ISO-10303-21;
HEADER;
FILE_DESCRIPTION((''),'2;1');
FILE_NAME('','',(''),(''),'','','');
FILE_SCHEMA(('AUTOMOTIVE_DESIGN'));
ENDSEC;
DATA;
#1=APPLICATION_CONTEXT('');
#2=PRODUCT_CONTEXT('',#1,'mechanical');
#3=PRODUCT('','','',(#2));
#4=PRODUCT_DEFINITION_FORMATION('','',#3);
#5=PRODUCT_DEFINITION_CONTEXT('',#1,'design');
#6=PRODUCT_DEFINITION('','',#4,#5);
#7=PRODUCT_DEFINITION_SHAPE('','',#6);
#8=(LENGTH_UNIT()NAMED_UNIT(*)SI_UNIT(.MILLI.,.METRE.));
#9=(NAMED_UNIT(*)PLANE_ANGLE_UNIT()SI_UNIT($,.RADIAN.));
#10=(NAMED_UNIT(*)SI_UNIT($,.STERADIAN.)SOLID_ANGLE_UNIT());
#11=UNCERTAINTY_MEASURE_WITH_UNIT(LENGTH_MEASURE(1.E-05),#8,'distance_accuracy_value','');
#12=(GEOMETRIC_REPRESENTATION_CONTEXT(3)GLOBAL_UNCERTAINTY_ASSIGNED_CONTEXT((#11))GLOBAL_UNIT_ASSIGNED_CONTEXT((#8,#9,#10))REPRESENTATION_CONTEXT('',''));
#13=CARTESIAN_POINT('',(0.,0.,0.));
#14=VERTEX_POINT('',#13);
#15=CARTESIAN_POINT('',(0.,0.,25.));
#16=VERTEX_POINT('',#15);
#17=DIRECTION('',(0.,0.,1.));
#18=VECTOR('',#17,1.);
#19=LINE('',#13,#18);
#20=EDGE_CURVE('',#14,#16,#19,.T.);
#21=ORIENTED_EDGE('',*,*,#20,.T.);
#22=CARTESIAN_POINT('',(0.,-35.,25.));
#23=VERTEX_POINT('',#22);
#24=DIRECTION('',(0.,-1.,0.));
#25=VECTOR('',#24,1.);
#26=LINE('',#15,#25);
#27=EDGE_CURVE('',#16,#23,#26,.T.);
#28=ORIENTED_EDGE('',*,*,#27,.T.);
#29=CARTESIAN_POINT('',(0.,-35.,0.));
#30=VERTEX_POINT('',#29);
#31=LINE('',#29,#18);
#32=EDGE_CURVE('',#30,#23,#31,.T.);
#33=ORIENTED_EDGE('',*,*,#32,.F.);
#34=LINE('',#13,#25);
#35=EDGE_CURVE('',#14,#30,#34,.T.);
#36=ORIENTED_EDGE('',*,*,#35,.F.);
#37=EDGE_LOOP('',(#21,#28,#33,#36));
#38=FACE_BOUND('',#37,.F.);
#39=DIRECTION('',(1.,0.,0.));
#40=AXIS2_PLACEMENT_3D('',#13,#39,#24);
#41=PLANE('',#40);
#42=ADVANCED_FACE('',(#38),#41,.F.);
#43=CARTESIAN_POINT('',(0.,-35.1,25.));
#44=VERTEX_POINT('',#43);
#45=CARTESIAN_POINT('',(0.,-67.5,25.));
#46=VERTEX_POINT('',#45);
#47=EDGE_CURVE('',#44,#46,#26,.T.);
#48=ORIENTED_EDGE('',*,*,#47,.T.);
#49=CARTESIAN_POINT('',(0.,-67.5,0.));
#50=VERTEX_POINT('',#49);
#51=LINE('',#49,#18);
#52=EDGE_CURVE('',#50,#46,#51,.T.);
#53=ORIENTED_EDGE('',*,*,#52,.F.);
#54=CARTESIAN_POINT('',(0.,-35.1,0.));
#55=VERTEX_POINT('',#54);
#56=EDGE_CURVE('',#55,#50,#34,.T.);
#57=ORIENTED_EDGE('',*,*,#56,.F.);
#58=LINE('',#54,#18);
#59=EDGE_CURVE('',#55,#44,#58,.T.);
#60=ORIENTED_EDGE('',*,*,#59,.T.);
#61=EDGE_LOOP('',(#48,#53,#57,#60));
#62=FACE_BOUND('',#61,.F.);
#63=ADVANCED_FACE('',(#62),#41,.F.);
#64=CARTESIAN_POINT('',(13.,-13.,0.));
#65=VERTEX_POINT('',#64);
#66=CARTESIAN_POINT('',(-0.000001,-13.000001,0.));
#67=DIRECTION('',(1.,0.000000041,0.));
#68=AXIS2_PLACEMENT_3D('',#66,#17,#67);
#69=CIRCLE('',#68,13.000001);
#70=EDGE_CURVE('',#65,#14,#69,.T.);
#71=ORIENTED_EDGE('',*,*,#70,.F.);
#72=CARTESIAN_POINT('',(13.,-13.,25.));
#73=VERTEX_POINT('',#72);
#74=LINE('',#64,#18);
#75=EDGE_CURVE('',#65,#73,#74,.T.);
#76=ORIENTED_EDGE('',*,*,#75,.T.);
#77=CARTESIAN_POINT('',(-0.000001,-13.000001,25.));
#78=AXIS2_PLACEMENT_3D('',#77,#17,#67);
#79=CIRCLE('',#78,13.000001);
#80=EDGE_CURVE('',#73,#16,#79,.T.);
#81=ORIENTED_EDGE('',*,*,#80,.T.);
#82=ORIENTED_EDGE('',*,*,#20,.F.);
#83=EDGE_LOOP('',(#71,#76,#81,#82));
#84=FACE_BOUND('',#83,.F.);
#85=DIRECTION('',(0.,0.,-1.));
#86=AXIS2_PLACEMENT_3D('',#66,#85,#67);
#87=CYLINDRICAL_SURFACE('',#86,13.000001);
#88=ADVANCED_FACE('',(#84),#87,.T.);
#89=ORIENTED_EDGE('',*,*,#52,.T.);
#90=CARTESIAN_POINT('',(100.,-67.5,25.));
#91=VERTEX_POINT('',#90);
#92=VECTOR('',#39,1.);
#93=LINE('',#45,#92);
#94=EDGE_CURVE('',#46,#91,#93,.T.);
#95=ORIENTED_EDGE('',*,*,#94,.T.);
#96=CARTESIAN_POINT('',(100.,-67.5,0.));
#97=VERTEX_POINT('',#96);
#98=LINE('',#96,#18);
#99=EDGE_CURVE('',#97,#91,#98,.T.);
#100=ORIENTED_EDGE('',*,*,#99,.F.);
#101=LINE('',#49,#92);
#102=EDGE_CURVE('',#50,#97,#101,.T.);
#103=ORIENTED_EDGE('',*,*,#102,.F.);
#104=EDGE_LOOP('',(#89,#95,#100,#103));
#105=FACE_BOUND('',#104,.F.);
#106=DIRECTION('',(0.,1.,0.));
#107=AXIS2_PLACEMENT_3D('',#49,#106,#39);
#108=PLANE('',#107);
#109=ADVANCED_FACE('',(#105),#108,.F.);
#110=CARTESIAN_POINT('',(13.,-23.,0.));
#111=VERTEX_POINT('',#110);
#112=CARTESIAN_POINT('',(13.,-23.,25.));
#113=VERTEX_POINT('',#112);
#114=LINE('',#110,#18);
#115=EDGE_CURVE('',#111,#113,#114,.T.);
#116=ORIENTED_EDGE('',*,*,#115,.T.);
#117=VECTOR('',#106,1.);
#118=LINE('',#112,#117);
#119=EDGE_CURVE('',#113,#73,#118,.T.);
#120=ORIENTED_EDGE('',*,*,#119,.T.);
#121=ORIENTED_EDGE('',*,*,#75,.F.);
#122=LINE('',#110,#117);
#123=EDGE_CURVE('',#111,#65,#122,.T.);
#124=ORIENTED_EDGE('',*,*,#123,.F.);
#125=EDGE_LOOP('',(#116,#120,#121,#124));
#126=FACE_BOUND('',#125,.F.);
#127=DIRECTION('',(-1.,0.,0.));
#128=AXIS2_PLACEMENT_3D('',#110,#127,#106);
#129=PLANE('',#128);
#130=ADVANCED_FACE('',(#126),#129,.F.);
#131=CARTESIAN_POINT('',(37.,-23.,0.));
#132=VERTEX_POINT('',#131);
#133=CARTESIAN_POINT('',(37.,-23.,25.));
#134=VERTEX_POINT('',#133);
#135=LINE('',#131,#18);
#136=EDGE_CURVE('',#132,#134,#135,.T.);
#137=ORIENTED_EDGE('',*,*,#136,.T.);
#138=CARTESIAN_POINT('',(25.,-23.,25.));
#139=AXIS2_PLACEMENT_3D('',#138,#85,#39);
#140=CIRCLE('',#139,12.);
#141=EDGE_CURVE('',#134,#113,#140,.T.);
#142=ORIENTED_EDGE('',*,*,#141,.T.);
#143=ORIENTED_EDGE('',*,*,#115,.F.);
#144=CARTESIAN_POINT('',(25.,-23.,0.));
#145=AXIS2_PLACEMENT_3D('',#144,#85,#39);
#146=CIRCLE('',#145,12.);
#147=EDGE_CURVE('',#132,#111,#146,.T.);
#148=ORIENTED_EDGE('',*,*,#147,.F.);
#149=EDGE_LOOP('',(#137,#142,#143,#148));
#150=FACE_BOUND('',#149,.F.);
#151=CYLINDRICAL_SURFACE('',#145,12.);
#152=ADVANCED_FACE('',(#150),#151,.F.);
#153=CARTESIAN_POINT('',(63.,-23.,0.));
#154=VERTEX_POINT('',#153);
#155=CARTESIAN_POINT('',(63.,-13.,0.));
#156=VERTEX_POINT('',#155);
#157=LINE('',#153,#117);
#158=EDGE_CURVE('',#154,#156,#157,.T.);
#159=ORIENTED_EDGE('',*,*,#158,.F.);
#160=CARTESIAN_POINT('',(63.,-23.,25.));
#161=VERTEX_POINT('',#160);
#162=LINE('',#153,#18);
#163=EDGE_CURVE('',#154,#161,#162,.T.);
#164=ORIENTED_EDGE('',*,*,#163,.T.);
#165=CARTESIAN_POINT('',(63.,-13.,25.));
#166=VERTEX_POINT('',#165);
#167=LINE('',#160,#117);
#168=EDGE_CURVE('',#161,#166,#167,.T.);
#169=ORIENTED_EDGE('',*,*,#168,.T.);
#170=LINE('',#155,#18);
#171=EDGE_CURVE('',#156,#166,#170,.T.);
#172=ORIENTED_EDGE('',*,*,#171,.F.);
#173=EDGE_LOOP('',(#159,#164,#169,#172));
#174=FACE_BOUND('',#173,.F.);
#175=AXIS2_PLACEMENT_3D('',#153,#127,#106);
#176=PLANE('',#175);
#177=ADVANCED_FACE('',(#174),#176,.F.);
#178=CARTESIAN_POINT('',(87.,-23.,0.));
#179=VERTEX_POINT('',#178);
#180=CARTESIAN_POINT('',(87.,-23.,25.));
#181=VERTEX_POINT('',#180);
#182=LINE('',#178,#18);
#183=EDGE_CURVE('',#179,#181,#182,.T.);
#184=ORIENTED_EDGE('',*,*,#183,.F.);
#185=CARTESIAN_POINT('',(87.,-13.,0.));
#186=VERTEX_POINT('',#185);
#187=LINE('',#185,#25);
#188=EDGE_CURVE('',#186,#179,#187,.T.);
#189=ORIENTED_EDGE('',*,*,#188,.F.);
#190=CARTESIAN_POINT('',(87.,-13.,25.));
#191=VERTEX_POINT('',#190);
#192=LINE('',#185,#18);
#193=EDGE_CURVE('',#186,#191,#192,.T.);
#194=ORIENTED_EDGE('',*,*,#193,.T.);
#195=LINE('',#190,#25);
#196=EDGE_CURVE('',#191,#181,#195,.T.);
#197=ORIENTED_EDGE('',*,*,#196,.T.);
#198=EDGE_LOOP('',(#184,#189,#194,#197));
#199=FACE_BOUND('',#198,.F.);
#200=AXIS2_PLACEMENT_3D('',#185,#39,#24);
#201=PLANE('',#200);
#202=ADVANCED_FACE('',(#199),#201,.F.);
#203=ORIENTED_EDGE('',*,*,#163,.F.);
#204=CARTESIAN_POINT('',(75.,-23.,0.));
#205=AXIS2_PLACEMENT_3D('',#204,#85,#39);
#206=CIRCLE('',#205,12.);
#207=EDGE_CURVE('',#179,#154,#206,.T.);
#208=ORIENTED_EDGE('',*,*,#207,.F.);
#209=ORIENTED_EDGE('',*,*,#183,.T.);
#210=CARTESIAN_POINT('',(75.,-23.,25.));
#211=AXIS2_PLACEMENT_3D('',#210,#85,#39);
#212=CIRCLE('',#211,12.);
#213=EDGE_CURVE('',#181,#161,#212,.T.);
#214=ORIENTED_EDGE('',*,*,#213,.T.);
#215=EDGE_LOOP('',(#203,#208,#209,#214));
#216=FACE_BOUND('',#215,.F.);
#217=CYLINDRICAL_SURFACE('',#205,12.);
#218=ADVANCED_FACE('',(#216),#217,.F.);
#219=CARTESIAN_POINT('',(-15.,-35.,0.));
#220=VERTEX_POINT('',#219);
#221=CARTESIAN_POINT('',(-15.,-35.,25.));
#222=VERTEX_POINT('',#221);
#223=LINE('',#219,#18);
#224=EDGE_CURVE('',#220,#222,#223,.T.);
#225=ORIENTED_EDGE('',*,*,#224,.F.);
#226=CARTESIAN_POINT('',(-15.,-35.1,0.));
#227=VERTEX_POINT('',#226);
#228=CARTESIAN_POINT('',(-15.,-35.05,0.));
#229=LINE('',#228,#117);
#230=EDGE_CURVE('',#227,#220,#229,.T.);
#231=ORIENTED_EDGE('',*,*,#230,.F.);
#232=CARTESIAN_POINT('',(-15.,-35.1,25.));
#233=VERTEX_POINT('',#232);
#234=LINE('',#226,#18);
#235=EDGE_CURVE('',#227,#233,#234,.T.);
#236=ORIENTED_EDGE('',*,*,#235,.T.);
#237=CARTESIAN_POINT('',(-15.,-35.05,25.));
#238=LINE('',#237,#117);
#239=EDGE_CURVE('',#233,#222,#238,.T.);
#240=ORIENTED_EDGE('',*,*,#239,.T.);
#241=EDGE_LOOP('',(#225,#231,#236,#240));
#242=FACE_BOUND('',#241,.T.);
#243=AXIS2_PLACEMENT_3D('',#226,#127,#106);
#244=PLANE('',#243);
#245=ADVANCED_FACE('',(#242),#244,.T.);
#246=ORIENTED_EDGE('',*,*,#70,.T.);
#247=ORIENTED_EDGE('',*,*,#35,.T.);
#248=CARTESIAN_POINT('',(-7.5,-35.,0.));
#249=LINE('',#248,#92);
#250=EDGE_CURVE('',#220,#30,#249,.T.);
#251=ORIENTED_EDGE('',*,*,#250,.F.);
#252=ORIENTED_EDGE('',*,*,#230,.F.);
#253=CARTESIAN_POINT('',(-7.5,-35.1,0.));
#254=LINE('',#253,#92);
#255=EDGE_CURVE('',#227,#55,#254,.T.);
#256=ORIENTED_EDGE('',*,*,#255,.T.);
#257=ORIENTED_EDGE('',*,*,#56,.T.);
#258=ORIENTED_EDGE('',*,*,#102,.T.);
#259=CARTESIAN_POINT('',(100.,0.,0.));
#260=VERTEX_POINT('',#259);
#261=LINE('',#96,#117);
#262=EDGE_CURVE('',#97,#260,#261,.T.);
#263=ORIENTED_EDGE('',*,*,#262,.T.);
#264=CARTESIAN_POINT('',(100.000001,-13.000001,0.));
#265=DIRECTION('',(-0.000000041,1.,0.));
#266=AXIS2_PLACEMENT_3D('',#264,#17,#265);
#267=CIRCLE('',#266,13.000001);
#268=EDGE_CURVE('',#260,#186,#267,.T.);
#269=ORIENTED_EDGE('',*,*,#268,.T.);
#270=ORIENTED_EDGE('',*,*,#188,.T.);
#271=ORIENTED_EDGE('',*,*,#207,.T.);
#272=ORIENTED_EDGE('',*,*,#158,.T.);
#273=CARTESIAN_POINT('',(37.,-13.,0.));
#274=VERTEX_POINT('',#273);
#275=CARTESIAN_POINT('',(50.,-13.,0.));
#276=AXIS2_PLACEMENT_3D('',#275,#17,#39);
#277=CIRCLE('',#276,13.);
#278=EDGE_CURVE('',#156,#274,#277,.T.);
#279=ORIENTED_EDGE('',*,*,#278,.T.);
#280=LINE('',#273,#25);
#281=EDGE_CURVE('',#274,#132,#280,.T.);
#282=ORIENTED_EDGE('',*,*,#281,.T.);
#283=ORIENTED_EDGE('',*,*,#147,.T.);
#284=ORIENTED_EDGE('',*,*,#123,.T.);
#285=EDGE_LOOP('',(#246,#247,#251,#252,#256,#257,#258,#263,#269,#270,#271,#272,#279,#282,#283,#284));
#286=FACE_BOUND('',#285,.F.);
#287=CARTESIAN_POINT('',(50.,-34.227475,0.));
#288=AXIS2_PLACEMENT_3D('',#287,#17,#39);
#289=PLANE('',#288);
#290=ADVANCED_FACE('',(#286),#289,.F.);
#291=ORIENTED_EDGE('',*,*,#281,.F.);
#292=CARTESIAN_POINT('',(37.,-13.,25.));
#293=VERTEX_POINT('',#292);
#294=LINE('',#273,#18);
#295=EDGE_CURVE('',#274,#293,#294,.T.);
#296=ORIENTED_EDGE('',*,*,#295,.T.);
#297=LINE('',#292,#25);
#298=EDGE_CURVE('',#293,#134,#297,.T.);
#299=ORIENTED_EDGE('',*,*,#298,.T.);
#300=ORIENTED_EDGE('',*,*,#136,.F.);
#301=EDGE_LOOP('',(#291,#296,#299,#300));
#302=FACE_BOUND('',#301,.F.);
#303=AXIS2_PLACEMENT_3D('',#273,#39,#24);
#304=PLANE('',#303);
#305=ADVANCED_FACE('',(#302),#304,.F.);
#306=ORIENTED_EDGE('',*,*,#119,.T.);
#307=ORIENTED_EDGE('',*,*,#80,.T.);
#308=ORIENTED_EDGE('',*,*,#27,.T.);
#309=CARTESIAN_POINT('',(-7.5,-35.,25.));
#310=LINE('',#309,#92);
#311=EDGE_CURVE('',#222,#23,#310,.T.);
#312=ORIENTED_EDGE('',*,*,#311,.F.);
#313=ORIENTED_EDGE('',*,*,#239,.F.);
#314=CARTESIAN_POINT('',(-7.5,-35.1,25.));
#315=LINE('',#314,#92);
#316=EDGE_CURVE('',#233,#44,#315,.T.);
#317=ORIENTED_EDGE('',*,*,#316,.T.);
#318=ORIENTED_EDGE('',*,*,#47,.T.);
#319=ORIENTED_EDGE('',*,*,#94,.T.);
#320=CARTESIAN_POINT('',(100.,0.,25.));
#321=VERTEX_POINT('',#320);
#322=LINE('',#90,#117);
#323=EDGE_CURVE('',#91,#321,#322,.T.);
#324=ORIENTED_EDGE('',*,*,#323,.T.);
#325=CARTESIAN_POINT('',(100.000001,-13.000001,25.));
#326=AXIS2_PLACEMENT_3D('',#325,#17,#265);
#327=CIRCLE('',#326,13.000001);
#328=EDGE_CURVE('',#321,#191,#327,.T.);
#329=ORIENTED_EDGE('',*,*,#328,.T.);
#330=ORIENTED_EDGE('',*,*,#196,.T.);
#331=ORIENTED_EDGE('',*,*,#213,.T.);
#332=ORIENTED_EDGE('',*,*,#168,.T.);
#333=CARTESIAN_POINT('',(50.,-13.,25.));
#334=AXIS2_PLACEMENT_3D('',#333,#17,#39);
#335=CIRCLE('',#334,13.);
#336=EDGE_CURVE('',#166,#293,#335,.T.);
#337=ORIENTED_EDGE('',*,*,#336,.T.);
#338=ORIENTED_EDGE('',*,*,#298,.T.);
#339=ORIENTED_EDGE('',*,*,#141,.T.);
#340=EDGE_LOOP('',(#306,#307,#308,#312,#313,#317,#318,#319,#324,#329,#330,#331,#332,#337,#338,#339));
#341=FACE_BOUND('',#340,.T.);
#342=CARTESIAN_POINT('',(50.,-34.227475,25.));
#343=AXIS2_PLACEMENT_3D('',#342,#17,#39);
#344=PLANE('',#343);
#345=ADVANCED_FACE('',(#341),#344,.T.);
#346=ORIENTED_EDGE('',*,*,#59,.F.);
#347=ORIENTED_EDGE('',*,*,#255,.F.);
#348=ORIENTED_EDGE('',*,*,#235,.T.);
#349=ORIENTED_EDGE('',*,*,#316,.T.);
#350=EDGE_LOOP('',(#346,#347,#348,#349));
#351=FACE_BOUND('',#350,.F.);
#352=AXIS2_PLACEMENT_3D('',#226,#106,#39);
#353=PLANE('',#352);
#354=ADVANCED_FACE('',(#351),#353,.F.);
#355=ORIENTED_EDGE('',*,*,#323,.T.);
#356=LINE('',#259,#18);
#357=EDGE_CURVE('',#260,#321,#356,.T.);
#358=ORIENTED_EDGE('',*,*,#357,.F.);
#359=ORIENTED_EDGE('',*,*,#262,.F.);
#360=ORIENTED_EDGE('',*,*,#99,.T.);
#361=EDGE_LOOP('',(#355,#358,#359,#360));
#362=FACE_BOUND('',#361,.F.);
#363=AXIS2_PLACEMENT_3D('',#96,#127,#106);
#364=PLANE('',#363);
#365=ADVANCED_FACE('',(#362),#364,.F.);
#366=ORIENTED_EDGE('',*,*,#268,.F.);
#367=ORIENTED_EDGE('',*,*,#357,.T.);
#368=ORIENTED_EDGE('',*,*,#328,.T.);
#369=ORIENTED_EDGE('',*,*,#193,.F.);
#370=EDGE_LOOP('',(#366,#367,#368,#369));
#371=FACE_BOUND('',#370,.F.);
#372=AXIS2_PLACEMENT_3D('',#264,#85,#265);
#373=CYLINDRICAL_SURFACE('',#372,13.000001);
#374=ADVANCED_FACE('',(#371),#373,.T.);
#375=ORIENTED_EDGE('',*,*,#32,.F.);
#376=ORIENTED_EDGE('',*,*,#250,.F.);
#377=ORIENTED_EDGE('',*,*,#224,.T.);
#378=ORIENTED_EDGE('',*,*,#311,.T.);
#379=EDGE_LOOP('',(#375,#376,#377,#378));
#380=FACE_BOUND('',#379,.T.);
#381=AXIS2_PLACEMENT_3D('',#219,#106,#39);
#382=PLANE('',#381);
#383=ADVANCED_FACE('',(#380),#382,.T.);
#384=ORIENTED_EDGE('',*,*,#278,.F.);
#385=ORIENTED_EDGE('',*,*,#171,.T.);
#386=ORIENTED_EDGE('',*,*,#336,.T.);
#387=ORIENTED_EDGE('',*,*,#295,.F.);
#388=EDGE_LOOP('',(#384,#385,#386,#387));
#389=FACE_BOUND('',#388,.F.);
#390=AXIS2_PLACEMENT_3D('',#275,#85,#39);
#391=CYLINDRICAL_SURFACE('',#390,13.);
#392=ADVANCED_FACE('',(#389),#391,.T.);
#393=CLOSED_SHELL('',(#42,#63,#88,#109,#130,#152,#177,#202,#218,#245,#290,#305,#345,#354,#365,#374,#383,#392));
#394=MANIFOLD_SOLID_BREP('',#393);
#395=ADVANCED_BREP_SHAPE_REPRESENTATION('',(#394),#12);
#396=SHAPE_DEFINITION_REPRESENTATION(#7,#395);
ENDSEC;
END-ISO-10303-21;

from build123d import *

# Parameters (mm, degrees)
F1_DEPTH = 25
F2_W     = 15
F2_H     = 0.1
F3_DEPTH = 25


with BuildPart() as f1:
    # F0 (on Top) → F1 (new body)
    with BuildSketch(Plane.XY):
        with BuildLine():
            ThreePointArc((13, -13), (9.192388, -3.807612), (0, 0))
            Line((0, 0), (0, -67.5))
            Line((0, -67.5), (100, -67.5))
            Line((100, -67.5), (100, 0))
            ThreePointArc((100, 0), (90.807612, -3.807612), (87, -13))
            Line((87, -13), (87, -23))
            ThreePointArc((87, -23), (75, -35), (63, -23))
            Line((63, -23), (63, -13))
            ThreePointArc((63, -13), (50, 0), (37, -13))
            Line((37, -13), (37, -23))
            ThreePointArc((37, -23), (25, -35), (13, -23))
            Line((13, -23), (13, -13))
        make_face()
    extrude(amount=F1_DEPTH)

    # F2 (on Top) → F3 (join)
    with BuildSketch(Plane.XY):
        with Locations((-7.5, -35.05)):
            Rectangle(F2_W, F2_H)
    extrude(amount=F3_DEPTH)


solid = f1.part
